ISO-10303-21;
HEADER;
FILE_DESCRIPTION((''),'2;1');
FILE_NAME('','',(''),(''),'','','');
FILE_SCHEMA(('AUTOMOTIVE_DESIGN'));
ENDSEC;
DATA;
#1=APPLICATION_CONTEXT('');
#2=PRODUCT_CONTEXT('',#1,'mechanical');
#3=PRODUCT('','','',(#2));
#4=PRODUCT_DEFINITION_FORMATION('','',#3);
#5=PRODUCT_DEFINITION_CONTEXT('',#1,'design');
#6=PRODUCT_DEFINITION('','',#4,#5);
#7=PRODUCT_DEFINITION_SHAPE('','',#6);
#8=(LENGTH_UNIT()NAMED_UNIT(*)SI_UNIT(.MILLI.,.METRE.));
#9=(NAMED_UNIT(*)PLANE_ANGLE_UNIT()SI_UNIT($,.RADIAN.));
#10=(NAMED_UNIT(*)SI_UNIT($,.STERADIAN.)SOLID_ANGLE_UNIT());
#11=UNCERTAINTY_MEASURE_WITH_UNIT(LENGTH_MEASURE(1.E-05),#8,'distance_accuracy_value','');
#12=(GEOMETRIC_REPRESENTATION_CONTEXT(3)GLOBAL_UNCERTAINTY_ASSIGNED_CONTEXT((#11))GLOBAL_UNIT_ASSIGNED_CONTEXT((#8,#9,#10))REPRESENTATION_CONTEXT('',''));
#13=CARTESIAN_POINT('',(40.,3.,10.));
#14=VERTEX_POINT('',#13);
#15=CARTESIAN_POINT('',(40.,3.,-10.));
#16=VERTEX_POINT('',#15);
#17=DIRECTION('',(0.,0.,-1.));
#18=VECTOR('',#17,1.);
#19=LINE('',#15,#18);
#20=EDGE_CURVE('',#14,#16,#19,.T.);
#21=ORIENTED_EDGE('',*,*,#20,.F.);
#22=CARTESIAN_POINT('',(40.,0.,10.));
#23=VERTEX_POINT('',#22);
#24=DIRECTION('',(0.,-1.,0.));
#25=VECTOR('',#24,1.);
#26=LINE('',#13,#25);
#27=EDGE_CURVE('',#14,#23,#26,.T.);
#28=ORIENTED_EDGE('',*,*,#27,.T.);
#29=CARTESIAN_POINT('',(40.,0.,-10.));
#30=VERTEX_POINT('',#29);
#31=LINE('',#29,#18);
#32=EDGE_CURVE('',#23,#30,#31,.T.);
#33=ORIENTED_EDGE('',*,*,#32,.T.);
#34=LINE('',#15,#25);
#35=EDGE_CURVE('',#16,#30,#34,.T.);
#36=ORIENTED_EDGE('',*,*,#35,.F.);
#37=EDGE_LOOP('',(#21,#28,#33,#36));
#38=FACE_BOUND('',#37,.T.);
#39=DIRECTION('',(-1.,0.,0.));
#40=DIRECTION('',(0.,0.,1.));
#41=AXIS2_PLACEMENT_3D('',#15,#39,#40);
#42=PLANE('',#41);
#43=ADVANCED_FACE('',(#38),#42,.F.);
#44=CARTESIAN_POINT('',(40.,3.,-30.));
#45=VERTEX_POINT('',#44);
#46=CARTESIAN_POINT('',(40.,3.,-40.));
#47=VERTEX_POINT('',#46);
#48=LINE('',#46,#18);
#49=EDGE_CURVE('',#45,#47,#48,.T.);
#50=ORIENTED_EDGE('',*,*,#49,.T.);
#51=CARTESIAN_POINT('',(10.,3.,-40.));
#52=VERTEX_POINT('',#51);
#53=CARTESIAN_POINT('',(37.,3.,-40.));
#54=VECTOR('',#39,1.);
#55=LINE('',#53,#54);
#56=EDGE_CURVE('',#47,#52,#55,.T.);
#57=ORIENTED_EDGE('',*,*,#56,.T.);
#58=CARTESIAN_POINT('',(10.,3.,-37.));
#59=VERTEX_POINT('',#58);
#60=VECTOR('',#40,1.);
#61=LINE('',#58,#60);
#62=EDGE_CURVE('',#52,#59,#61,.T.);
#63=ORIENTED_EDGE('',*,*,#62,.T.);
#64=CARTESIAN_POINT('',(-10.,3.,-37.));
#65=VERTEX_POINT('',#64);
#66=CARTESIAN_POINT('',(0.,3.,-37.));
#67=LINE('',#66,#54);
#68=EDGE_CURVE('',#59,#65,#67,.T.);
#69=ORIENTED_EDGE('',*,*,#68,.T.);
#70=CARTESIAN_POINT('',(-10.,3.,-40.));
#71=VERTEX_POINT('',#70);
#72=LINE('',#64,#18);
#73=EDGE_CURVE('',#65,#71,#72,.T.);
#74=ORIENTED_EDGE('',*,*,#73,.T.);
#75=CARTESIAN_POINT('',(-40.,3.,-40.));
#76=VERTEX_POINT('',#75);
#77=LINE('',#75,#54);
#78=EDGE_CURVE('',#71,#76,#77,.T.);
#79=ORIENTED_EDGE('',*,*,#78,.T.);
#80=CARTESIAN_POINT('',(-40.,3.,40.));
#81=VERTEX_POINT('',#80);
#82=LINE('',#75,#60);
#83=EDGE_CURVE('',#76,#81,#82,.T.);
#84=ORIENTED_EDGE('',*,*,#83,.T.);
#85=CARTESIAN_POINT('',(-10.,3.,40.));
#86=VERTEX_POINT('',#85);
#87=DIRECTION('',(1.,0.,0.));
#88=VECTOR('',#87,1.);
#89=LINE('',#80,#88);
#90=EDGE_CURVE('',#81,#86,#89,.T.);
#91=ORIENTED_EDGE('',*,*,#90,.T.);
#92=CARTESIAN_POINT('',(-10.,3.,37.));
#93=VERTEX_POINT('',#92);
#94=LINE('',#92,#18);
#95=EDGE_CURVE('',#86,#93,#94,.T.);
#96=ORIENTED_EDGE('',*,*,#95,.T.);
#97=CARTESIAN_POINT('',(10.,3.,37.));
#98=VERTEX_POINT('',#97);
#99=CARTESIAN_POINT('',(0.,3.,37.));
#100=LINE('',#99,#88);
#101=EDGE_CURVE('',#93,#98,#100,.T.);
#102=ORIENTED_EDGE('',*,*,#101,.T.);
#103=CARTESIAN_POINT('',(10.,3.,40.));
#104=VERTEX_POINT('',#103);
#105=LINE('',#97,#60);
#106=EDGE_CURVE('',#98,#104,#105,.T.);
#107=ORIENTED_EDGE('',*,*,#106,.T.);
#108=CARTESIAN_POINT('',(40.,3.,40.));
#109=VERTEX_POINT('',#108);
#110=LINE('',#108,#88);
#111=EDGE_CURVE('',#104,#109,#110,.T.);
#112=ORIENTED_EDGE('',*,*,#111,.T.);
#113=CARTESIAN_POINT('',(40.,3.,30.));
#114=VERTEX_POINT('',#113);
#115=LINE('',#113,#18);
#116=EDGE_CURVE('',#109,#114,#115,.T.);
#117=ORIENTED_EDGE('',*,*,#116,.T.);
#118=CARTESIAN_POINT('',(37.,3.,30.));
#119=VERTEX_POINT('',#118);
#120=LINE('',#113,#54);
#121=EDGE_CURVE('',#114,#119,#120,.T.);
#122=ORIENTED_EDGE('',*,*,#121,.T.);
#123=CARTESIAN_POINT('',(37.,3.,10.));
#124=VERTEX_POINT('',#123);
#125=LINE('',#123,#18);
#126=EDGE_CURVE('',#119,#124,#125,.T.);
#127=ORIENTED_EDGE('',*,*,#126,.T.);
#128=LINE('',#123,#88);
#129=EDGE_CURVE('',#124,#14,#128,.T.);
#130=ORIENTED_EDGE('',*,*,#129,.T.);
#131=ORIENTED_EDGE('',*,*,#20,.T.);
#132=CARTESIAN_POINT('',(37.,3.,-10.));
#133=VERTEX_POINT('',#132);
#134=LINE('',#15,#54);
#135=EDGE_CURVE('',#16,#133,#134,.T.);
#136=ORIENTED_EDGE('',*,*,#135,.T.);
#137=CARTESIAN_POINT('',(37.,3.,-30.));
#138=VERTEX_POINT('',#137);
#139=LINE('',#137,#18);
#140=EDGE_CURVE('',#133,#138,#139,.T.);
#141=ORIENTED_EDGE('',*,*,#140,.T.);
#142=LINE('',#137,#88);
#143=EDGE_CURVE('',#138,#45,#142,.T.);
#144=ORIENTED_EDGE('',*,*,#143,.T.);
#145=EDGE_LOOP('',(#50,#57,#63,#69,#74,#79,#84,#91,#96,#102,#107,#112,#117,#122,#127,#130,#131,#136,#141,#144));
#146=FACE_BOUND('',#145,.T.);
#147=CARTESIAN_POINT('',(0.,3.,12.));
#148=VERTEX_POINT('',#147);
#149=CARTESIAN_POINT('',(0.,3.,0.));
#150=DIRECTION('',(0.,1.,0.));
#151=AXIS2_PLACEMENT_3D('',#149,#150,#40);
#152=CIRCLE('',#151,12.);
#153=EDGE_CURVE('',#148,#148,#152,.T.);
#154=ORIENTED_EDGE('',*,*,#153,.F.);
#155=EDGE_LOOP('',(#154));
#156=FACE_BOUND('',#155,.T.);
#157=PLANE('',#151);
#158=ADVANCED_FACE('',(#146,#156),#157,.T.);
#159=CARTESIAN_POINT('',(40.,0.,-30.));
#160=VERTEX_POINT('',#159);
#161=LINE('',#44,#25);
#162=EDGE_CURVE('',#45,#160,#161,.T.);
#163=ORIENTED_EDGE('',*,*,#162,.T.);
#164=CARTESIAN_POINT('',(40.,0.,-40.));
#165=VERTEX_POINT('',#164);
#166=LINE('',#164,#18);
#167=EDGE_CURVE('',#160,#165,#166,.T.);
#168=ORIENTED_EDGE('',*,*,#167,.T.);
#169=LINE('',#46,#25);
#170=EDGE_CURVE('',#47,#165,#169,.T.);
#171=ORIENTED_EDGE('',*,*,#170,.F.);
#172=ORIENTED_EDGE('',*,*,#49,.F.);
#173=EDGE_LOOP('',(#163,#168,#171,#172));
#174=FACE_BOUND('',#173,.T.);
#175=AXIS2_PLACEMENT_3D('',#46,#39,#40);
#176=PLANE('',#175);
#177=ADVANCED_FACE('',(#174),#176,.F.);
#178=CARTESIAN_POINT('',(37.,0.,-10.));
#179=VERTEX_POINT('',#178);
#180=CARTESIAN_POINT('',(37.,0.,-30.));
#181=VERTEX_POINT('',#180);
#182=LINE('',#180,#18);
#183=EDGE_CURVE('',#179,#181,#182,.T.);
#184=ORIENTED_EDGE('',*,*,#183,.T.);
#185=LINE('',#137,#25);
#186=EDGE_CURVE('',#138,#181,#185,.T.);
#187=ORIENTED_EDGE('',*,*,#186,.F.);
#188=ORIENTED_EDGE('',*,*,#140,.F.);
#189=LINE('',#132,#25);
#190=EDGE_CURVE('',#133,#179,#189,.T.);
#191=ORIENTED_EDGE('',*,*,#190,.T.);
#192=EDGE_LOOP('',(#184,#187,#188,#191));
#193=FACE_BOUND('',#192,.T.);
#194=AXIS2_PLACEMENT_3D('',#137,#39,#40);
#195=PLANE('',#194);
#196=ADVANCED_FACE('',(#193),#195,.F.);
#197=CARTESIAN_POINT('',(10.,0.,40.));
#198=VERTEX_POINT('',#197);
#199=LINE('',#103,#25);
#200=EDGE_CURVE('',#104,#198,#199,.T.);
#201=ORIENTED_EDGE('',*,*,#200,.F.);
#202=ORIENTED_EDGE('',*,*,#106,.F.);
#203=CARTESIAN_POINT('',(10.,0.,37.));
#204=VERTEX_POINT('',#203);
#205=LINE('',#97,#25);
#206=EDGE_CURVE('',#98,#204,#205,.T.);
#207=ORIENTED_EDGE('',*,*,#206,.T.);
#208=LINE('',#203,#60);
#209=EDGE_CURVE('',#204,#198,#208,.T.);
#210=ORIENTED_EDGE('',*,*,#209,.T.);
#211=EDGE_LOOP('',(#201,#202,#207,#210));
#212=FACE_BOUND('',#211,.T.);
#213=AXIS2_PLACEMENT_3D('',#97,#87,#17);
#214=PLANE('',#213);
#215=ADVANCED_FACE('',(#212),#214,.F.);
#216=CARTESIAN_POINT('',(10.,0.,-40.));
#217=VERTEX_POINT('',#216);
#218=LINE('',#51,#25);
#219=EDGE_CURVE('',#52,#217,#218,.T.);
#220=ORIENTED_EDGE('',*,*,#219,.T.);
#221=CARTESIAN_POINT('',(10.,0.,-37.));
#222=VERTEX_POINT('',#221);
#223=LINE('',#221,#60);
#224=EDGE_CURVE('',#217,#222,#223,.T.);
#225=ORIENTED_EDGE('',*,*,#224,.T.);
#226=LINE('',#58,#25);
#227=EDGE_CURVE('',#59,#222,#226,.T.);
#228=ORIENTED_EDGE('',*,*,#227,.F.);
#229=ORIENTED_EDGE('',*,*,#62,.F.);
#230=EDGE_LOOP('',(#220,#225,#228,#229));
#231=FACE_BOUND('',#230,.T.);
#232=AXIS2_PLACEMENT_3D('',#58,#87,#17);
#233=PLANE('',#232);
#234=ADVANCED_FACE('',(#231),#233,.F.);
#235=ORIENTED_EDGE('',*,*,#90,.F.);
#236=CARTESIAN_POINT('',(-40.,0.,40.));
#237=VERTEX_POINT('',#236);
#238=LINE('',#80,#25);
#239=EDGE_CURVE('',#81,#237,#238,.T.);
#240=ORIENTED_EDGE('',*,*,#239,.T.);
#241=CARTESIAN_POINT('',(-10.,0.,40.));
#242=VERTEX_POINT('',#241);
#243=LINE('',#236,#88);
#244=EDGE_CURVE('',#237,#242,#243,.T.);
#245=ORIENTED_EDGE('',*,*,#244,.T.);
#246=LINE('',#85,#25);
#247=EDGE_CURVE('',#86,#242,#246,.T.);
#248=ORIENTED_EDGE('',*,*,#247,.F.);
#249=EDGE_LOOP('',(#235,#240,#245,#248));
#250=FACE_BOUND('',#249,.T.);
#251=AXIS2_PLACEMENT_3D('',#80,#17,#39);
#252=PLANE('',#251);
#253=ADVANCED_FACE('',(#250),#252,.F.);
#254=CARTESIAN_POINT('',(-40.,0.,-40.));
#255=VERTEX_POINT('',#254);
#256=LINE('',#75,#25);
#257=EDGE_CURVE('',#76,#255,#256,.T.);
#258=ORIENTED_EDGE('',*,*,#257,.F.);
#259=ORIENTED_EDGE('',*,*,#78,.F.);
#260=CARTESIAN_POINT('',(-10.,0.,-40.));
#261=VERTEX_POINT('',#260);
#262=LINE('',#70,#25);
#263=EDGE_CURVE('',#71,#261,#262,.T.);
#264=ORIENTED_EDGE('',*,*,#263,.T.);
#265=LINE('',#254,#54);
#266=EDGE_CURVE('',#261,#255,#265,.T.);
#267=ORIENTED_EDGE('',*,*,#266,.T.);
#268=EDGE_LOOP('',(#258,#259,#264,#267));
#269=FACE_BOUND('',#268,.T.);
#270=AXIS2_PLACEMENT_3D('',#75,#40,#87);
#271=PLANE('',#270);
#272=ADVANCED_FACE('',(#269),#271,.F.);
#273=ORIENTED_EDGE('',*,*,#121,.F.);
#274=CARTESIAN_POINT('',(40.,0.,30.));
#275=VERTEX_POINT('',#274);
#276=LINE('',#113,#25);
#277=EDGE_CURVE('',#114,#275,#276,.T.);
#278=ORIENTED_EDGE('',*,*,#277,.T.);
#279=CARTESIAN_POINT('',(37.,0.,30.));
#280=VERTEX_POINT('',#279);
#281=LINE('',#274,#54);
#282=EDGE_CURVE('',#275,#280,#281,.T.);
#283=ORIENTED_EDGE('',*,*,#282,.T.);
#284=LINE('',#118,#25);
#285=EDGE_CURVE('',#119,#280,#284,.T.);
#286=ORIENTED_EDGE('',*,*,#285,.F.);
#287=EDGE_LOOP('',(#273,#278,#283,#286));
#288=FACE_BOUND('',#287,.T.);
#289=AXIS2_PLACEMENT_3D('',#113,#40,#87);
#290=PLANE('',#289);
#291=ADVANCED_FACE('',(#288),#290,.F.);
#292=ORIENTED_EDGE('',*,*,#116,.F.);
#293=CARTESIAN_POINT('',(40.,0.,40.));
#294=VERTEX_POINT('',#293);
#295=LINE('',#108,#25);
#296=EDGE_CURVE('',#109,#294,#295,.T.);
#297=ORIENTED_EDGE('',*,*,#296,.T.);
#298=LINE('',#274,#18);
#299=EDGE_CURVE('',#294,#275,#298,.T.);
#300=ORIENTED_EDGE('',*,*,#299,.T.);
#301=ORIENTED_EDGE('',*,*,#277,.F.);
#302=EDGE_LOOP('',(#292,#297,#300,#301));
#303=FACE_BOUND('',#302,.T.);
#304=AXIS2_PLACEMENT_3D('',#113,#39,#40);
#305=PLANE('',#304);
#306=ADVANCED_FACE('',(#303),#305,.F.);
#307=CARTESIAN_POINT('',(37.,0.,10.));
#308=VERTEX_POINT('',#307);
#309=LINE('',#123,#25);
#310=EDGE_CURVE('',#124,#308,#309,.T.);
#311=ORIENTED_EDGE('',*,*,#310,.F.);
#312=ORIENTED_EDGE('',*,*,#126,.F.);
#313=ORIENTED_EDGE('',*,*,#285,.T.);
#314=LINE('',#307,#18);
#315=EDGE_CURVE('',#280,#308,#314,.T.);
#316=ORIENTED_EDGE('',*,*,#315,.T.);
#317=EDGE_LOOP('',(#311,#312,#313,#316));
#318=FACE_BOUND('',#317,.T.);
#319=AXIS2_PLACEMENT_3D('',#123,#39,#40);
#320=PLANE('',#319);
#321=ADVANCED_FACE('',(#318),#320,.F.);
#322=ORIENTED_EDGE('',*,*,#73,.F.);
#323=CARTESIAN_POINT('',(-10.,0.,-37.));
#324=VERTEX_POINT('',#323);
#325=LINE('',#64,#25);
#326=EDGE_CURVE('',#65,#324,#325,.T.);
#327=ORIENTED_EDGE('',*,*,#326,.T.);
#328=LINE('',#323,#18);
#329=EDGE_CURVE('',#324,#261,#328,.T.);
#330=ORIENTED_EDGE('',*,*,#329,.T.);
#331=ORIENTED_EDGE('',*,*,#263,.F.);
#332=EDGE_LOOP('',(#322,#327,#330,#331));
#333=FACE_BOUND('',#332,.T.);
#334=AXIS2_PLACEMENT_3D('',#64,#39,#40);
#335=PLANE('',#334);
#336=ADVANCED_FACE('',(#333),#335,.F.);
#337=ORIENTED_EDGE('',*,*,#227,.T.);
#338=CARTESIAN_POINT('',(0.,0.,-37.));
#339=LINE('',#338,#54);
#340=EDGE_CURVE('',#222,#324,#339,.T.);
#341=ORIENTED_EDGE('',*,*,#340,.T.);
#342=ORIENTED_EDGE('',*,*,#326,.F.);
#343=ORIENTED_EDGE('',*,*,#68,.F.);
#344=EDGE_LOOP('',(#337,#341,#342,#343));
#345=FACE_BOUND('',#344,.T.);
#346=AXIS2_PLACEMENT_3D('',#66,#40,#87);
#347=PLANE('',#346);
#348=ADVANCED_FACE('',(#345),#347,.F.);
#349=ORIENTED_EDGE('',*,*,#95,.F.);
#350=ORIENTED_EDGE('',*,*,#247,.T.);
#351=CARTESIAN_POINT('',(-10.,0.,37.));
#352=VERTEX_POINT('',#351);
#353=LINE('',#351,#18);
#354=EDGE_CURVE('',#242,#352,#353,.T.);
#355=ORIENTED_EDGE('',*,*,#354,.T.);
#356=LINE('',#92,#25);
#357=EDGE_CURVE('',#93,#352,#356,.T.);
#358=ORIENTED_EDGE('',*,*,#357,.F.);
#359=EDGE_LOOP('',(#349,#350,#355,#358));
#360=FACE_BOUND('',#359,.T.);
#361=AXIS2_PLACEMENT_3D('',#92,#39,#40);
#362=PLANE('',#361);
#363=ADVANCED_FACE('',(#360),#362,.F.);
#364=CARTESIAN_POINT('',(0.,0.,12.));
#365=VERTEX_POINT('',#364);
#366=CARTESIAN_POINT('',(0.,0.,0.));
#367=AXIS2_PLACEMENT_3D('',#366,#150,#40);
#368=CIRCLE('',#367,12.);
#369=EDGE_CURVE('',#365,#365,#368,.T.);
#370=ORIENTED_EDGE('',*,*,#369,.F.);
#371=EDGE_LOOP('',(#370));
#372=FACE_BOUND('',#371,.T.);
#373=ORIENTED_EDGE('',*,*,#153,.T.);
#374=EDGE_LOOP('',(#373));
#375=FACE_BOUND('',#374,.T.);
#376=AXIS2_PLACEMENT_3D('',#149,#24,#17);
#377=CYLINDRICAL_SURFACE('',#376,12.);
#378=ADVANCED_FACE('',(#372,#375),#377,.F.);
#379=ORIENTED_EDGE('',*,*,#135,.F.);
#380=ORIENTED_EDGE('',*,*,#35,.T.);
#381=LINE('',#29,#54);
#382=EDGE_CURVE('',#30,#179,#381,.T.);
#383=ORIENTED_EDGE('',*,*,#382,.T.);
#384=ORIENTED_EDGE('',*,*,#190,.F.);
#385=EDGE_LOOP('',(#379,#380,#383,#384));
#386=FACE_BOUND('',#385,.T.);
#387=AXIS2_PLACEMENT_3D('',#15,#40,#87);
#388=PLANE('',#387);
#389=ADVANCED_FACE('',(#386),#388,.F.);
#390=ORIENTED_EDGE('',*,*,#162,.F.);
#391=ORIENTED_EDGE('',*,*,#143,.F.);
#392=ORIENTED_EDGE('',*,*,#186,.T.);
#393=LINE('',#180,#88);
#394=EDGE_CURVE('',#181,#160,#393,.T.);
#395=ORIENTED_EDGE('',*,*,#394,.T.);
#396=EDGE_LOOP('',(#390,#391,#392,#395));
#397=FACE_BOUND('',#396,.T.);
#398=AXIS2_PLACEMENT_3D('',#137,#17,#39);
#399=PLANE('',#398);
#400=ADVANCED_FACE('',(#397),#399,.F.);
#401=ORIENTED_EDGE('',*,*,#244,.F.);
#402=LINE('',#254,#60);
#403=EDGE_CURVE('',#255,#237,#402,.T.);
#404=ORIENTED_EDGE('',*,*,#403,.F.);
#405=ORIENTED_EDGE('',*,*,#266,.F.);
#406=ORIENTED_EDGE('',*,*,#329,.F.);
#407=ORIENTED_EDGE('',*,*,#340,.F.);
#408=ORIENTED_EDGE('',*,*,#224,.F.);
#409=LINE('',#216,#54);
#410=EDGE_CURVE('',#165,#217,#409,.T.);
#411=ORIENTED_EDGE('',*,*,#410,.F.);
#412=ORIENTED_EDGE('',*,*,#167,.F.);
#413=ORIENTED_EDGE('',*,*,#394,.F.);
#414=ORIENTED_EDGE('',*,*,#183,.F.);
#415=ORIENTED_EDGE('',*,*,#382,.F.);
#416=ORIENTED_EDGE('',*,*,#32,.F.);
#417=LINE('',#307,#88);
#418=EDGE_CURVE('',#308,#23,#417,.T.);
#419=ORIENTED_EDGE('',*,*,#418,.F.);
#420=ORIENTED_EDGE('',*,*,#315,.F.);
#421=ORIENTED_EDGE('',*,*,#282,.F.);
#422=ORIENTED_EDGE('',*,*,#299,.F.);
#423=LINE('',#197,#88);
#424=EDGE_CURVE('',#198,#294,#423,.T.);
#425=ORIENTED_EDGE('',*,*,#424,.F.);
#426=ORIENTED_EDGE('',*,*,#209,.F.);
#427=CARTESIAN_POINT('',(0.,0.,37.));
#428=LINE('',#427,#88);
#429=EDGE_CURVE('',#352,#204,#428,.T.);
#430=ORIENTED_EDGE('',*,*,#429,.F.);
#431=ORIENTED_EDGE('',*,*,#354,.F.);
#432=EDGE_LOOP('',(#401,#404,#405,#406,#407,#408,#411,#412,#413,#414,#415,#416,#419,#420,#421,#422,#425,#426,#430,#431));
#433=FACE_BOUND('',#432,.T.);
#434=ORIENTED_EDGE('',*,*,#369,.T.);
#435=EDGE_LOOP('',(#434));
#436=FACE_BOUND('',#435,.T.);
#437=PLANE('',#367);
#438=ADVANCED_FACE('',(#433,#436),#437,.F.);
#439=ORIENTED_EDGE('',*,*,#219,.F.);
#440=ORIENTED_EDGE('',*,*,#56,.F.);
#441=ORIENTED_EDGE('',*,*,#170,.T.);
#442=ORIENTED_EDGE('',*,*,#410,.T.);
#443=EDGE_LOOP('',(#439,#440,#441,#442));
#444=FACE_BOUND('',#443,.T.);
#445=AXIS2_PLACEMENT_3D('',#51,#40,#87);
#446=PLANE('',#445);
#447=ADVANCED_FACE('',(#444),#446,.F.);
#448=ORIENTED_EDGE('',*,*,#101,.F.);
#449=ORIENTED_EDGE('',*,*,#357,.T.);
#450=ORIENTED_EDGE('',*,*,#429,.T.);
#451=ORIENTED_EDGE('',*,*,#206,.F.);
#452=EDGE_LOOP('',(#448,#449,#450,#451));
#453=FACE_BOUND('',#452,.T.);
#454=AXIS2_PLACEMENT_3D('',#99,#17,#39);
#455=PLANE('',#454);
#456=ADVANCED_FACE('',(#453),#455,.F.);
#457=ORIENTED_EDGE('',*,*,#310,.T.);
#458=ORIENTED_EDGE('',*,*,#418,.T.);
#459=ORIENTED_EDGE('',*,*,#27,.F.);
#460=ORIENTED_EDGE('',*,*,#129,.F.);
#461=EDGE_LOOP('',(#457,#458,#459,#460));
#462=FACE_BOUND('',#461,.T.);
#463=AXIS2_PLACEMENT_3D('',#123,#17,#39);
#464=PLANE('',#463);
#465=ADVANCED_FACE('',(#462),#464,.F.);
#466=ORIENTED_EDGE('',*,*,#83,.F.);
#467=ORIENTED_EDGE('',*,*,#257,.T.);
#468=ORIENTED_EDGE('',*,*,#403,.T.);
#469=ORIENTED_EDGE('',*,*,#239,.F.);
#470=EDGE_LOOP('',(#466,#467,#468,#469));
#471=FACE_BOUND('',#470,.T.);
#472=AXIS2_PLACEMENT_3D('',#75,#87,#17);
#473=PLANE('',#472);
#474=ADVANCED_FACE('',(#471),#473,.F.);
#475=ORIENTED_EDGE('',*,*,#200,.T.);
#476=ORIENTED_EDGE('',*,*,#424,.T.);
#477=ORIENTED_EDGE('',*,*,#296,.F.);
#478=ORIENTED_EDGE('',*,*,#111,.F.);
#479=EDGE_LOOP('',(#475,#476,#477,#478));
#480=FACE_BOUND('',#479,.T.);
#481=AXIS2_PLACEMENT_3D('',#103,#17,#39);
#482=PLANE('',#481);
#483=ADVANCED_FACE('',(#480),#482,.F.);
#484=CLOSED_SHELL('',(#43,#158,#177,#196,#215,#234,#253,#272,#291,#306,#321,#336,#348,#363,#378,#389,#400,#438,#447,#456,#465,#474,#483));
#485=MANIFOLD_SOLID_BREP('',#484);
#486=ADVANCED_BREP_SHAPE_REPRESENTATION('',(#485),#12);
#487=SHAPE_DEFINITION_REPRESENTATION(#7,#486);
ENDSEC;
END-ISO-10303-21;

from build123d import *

# Parameters (mm, degrees)
CROQUIS1_R              = 12
SALIENTE_EXTRUIR1_DEPTH = 3


with BuildPart() as part:
    # Croquis1 → Saliente-Extruir1 (new body)
    with BuildSketch(Plane(origin=(0, 0, 0), x_dir=(1, 0, 0), z_dir=(0, 1, 0))):
        Polygon((-40, 40), (-10, 40), (-10, 37), (0, 37), (10, 37), (10, 40), (37, 40), (40, 40), (40, 30), (37, 30), (37, 10), (40, 10), (40, -10), (37, -10), (37, -30), (40, -30), (40, -40), (37, -40), (10, -40), (10, -37), (0, -37), (-10, -37), (-10, -40), (-40, -40), align=None)
        with Locations(Location((0, 0, 0), (0, 0, 270))):
            Circle(CROQUIS1_R, mode=Mode.SUBTRACT)
    extrude(amount=SALIENTE_EXTRUIR1_DEPTH)


solid = part.part
